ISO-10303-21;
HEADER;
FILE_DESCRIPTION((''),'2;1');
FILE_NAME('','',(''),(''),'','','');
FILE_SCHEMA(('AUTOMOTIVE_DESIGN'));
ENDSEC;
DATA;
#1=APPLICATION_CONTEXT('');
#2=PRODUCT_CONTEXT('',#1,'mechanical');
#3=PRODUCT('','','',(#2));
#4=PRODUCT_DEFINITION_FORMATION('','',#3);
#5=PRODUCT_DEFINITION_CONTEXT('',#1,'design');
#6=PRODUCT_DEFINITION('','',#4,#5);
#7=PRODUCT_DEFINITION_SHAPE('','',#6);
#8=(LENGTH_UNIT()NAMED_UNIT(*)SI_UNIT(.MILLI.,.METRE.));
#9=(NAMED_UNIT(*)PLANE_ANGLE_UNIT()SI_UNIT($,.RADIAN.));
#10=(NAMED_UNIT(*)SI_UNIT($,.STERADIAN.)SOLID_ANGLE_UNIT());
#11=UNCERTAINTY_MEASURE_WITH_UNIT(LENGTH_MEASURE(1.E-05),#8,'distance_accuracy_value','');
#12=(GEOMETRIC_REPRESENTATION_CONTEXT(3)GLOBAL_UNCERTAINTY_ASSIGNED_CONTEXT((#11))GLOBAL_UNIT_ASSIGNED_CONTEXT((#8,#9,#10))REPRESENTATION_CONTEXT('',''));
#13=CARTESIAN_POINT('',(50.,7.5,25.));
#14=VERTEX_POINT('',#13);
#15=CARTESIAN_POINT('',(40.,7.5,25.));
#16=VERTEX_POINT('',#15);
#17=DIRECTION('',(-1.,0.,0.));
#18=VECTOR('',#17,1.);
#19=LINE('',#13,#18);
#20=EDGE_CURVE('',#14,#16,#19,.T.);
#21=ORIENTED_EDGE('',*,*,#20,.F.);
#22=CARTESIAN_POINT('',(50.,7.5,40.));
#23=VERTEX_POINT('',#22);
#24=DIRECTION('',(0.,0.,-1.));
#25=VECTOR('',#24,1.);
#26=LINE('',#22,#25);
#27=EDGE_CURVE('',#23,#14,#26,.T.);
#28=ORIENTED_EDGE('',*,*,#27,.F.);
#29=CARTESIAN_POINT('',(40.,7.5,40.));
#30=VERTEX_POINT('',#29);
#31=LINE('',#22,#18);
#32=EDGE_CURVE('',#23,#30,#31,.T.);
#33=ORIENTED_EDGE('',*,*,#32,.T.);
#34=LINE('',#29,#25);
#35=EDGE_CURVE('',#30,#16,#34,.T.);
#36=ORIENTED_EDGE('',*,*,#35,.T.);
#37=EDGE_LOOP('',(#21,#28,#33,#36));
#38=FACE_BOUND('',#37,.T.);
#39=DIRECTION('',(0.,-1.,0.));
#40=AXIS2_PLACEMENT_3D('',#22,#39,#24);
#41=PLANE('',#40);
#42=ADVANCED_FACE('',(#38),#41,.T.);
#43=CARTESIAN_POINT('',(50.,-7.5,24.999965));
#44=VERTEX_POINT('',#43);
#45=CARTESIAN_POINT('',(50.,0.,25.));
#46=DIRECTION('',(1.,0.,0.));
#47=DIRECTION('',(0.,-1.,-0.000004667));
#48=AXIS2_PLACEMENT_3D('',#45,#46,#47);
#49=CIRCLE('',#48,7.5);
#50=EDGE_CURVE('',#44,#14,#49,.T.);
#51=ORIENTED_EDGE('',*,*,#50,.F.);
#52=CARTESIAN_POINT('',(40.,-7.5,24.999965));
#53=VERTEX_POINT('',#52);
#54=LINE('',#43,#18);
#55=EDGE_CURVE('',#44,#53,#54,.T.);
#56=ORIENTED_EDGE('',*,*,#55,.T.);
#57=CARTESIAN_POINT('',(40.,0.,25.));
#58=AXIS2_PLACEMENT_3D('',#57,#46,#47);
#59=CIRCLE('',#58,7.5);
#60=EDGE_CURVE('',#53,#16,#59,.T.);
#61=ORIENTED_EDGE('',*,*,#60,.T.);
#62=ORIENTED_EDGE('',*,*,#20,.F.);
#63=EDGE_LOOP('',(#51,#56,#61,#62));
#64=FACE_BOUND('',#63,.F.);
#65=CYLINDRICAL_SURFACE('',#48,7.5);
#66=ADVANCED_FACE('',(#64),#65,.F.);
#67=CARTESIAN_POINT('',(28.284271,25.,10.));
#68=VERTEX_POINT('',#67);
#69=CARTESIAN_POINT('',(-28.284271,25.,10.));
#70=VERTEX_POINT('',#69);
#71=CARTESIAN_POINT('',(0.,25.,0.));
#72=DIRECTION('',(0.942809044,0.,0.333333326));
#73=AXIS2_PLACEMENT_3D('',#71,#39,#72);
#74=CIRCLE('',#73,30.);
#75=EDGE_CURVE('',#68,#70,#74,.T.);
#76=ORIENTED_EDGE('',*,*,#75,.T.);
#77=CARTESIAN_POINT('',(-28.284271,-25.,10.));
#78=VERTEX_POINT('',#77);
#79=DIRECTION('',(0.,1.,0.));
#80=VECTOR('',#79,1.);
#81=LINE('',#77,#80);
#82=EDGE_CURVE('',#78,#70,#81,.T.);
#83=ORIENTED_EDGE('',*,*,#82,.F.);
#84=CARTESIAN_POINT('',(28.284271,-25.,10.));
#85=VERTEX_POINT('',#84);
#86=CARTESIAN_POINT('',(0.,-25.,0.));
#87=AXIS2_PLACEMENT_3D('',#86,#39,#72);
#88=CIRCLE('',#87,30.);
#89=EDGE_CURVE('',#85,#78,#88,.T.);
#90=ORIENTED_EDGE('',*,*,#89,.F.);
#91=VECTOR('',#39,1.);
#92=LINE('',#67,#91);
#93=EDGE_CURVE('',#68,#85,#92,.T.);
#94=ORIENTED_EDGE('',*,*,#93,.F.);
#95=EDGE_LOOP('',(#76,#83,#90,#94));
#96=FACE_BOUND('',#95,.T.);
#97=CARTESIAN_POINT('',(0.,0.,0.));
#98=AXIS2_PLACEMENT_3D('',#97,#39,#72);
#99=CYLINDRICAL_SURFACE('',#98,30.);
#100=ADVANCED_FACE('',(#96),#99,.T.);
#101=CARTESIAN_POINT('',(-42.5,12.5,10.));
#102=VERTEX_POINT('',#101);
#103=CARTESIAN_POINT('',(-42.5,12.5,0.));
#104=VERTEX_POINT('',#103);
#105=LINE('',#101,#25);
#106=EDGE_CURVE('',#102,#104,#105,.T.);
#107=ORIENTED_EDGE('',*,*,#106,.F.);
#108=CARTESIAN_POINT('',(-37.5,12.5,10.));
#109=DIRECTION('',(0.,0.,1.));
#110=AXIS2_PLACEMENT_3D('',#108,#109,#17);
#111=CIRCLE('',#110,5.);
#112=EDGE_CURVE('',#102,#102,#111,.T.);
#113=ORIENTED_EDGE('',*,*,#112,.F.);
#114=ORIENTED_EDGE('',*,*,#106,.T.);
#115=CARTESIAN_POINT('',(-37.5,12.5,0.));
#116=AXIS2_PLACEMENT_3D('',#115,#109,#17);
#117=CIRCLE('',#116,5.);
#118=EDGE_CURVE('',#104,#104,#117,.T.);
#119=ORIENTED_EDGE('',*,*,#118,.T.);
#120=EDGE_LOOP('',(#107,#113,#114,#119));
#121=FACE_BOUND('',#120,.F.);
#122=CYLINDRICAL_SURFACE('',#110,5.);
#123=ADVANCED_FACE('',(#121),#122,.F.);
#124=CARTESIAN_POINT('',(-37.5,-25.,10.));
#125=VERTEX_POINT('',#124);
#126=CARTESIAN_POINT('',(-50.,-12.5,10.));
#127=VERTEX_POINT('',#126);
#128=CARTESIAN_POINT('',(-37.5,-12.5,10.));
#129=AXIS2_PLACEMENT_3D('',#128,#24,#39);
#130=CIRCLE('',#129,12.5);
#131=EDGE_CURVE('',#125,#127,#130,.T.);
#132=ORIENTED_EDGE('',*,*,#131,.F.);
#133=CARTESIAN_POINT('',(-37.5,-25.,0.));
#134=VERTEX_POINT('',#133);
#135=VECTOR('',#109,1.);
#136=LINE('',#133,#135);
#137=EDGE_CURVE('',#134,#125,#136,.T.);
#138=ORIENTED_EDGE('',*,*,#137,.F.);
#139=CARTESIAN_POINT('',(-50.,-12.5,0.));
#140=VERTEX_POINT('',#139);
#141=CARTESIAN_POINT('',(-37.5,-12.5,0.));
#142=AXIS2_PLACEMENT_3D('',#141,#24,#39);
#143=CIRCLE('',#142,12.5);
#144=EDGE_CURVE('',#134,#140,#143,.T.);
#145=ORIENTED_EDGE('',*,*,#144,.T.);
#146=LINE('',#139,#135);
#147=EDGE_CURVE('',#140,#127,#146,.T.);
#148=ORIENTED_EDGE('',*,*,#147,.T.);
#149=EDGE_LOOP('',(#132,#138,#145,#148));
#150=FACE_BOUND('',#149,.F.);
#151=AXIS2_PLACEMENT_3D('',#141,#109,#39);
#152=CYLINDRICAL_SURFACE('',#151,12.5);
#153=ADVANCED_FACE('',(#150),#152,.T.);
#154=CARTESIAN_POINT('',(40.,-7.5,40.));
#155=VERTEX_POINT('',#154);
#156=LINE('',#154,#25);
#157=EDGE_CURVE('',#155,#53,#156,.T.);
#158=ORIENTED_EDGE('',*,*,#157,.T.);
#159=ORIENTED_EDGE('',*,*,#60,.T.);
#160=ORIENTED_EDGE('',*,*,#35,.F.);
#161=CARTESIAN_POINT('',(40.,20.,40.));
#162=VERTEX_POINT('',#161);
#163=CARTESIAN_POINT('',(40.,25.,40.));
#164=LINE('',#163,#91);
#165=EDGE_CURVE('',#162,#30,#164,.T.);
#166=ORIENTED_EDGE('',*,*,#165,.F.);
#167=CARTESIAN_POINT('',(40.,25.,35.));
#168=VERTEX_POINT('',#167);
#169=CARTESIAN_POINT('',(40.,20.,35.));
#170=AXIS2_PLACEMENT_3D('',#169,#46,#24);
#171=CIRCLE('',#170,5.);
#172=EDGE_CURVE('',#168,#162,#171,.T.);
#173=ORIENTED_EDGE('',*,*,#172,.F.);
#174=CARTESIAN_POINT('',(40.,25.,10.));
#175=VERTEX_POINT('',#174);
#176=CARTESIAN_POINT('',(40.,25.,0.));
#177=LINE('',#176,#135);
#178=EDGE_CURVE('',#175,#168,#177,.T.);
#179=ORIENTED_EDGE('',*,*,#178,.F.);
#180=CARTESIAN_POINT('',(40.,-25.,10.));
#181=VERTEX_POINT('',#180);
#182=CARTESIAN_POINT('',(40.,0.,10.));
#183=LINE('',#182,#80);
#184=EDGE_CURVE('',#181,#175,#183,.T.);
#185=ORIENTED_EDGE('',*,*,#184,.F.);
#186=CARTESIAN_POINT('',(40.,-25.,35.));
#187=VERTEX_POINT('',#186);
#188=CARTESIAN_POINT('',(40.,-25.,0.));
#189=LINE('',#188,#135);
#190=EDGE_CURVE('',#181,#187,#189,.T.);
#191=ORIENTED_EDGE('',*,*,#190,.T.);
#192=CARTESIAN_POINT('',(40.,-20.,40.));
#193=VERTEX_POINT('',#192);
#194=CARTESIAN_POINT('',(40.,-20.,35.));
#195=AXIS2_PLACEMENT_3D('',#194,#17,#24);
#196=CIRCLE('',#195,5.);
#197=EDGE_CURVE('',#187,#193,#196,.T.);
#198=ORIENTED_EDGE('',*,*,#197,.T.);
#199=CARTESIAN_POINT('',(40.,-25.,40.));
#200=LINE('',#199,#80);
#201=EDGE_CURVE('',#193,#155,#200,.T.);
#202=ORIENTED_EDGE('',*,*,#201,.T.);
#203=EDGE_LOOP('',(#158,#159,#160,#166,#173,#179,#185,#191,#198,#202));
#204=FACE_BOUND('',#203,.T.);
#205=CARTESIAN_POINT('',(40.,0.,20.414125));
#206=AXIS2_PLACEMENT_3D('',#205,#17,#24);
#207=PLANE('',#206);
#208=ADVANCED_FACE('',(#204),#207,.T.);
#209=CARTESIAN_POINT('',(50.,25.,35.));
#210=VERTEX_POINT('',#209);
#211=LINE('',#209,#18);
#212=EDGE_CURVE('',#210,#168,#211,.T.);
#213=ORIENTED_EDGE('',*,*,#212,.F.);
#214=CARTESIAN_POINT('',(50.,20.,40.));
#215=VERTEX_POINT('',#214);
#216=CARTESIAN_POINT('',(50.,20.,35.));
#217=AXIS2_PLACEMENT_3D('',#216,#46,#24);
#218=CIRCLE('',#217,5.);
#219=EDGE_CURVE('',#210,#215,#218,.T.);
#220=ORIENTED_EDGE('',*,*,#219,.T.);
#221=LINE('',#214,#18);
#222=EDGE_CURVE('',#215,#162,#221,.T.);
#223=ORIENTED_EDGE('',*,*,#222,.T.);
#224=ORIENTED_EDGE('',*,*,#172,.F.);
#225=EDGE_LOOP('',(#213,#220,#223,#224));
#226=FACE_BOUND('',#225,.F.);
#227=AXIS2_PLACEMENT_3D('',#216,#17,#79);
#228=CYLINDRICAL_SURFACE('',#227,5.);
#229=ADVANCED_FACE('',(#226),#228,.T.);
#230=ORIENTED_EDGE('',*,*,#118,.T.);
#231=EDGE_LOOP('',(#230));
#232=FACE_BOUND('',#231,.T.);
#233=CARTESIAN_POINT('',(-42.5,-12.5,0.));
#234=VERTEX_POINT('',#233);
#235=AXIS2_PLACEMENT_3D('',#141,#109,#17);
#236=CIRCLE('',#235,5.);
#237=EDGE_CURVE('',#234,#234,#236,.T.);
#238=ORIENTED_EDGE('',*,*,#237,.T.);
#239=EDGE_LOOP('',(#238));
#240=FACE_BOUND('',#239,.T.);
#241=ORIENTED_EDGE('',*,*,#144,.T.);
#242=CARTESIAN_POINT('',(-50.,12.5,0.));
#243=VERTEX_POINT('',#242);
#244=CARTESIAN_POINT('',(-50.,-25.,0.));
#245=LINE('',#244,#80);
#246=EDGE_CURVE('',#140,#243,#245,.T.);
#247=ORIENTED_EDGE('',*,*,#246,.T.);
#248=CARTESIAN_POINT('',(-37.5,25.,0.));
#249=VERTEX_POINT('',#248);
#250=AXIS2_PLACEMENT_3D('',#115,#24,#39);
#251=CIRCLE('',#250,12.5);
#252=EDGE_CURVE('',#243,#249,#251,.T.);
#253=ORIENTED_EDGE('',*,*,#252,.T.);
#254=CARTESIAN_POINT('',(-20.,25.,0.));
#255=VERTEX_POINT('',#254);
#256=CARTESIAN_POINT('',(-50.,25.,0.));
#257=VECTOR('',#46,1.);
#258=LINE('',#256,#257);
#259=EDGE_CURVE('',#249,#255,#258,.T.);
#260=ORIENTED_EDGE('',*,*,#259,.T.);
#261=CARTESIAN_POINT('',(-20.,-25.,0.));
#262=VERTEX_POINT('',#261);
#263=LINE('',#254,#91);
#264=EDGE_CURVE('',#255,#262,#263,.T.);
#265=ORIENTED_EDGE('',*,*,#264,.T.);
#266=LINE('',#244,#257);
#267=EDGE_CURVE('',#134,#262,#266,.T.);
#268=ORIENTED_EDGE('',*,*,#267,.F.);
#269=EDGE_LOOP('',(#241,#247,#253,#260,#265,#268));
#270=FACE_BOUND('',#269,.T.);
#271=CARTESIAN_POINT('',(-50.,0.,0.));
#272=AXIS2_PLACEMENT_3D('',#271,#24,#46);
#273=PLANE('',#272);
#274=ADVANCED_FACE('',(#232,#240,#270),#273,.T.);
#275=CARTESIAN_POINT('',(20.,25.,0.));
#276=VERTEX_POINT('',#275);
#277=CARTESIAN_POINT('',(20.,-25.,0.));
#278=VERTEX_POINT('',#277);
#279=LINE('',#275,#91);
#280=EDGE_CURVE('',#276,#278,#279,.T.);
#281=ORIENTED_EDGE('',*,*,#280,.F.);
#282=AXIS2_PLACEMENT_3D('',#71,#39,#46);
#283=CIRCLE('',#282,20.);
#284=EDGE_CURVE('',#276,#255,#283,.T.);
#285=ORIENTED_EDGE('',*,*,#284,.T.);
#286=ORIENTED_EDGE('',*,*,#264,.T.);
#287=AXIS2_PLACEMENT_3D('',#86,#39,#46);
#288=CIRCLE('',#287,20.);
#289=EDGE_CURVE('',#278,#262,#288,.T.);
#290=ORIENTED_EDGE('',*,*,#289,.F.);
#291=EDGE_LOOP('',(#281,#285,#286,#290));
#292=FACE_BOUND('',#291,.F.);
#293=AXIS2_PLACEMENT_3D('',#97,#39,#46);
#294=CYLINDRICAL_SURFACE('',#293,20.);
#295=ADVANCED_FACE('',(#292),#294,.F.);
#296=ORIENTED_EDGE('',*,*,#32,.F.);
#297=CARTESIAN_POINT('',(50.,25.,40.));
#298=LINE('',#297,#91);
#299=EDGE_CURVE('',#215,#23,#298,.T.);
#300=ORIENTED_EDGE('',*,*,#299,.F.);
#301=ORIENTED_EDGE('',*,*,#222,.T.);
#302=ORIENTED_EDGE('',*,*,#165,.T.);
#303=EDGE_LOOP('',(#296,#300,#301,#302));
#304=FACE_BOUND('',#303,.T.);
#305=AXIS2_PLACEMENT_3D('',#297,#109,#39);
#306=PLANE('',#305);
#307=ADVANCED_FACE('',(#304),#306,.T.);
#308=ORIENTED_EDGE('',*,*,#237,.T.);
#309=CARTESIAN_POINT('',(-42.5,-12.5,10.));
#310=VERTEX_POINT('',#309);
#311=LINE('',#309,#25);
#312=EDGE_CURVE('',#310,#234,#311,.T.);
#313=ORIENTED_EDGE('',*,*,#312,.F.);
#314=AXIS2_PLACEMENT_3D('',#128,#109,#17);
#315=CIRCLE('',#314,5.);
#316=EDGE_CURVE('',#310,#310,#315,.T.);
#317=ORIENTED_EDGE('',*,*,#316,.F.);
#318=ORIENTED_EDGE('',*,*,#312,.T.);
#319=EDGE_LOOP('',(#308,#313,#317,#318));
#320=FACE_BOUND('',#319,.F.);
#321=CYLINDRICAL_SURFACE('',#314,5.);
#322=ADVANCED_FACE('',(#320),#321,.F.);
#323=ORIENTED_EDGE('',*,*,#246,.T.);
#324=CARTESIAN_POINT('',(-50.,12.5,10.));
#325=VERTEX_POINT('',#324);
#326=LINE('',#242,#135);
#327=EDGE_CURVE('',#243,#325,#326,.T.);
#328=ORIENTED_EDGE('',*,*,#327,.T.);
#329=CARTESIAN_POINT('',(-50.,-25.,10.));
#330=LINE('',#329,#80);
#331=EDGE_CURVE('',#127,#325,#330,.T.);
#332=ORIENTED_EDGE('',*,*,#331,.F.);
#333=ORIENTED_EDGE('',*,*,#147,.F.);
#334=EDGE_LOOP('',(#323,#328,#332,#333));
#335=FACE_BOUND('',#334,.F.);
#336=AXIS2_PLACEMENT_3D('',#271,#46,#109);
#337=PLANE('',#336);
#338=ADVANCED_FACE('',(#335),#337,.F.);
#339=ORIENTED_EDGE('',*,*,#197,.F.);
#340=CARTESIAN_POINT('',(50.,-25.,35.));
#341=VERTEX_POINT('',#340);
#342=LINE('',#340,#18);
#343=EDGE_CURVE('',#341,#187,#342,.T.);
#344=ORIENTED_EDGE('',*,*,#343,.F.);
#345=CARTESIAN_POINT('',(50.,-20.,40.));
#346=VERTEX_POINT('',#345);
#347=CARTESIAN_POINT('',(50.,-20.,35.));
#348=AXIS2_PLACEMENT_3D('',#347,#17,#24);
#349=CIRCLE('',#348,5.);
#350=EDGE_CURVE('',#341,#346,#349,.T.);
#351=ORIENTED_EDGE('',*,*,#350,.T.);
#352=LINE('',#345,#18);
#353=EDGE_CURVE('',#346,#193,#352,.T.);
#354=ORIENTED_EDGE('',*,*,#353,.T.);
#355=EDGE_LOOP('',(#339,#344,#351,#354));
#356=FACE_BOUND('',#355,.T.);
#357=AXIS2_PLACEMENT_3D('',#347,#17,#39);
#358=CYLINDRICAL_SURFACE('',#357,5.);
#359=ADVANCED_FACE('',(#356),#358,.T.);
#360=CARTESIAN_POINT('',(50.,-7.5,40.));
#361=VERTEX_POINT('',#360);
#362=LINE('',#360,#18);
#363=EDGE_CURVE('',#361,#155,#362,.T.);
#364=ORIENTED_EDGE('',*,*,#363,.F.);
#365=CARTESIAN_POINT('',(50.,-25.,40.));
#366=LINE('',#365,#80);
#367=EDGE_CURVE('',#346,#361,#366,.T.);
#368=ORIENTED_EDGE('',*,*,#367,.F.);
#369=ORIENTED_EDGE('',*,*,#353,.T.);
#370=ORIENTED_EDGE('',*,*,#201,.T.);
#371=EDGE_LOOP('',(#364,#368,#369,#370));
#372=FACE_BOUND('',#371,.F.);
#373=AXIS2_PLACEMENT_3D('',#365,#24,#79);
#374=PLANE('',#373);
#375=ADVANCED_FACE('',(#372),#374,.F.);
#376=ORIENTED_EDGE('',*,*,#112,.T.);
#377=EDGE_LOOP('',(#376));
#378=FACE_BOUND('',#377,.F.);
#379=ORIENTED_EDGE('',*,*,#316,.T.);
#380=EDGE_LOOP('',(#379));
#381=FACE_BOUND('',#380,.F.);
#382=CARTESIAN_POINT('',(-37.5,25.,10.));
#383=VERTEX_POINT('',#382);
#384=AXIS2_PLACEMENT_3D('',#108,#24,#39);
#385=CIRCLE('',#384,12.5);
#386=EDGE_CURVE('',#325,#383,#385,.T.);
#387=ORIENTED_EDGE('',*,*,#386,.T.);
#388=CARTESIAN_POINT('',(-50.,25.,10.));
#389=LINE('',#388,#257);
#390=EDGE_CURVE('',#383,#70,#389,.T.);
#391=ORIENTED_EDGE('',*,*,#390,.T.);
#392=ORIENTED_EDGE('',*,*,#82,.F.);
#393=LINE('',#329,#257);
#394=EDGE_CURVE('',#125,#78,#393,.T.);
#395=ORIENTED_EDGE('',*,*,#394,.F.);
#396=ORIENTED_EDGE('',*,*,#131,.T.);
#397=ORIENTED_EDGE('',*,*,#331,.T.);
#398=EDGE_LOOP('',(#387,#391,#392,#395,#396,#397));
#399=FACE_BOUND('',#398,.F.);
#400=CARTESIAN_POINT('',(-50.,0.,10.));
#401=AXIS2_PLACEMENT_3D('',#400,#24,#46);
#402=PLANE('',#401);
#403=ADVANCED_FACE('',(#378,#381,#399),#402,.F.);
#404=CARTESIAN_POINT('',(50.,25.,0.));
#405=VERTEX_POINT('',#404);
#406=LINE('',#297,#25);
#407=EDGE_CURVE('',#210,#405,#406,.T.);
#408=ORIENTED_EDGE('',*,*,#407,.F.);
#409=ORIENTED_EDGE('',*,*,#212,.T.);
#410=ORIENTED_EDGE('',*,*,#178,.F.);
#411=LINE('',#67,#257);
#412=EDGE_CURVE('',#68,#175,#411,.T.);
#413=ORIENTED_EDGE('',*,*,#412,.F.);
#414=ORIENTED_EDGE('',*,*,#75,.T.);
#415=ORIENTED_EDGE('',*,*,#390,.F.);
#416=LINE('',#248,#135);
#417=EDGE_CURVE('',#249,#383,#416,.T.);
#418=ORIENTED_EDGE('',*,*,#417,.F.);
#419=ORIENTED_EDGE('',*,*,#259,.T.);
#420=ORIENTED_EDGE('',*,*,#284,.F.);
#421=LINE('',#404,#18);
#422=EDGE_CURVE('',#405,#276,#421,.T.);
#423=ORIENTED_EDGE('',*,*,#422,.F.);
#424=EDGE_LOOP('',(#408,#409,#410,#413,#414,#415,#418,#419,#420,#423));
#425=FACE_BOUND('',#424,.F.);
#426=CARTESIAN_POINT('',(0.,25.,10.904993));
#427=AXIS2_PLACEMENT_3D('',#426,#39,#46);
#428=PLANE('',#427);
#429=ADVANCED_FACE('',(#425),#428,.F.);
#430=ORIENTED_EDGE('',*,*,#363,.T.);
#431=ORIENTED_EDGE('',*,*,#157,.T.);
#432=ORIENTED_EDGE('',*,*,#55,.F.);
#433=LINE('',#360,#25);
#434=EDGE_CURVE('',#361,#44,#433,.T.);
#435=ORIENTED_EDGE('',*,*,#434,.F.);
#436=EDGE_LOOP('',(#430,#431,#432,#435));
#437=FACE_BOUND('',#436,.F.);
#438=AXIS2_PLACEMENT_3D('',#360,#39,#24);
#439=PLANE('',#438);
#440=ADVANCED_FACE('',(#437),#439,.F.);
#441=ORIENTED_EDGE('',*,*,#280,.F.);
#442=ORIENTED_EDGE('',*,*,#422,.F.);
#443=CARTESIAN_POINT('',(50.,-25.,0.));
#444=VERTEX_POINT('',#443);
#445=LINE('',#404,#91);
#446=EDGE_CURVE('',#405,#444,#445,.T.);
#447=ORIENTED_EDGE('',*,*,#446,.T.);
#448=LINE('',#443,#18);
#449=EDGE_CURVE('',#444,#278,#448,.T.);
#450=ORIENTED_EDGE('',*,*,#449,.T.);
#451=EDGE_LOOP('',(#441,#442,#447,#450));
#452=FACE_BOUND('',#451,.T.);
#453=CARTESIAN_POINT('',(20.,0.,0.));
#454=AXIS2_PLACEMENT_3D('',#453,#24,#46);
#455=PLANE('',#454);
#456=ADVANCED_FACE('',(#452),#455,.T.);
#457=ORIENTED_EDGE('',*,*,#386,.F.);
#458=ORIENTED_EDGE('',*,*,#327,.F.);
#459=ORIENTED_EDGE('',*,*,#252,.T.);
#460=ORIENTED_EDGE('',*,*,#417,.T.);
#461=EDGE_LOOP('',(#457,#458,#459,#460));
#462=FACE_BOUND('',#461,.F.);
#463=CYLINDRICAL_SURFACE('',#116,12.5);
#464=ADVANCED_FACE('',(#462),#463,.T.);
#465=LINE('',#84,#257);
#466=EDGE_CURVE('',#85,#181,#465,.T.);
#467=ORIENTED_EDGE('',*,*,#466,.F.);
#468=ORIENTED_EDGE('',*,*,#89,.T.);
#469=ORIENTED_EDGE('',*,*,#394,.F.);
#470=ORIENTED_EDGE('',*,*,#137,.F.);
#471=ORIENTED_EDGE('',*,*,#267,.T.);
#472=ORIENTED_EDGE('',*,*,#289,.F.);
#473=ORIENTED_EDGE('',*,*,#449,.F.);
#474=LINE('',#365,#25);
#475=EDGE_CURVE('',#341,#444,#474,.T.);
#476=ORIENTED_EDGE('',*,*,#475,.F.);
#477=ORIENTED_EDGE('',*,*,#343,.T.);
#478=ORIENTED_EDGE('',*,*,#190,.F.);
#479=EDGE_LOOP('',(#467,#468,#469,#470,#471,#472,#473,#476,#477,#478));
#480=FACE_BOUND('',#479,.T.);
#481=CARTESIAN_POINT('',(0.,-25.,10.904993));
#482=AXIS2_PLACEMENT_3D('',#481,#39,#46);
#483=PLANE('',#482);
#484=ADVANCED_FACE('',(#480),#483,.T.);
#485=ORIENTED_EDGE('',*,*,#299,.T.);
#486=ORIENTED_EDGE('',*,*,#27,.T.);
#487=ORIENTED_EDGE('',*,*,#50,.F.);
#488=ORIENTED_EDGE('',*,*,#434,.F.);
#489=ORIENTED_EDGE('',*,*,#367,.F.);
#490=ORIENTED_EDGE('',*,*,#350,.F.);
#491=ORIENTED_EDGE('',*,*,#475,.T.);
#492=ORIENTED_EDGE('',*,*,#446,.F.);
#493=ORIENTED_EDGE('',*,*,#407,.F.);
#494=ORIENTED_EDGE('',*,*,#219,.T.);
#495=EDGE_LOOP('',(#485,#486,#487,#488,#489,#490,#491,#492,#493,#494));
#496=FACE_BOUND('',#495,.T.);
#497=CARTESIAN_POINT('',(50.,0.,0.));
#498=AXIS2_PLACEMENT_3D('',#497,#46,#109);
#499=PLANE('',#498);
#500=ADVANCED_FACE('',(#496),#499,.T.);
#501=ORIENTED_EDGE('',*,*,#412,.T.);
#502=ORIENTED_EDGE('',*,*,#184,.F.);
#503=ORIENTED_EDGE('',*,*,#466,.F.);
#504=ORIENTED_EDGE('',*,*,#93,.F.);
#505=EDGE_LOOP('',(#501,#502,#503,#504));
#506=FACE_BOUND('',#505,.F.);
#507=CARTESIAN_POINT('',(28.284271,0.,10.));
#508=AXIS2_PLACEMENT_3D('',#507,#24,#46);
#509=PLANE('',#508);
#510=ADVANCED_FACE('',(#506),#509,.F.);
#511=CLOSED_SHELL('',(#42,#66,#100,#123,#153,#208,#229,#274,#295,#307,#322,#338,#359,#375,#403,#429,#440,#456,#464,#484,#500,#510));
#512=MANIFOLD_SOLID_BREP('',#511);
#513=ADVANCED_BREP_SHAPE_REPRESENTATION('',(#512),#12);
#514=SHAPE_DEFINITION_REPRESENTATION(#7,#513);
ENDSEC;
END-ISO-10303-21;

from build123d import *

# Parameters (mm, degrees)
PAD_DEPTH    = 25
PAD001_DEPTH = 10
FILLET_R     = 12.5
FILLET001_R  = 12.5
FILLET002_R  = 5
FILLET003_R  = 5
SKETCH002_R  = 5
POCKET_DEPTH = 10.001


with BuildPart() as part:
    # Sketch → Pad (new body, symmetric)
    with BuildSketch(Plane.XZ):
        with BuildLine():
            Line((-50, 0), (-20, 0))
            ThreePointArc((20, 0), (0, 20), (-20, 0))
            Line((20, 0), (50, 0))
            Line((50, 0), (50, 10))
            Line((28.284271, 10), (50, 10))
            ThreePointArc((28.284271, 10), (0, 30), (-28.284271, 10))
            Line((-50, 10), (-28.284271, 10))
            Line((-50, 0), (-50, 10))
        make_face()
    extrude(amount=PAD_DEPTH, both=True)

    # Sketch001 → Pad001 (new body)
    with BuildSketch(Plane(origin=(50, 0, 0), x_dir=(0, 0, 1), z_dir=(1, 0, 0))):
        with BuildLine():
            Line((0, 25), (40, 25))
            Line((40, 25), (40, 7.5))
            Line((40, 7.5), (24.999965, 7.5))
            ThreePointArc((24.999965, 7.5), (17.5, -1.8e-05), (25, -7.5))
            Line((40, -7.5), (25, -7.5))
            Line((40, -25), (40, -7.5))
            Line((0, -25), (40, -25))
            Line((0, 25), (0, -25))
        make_face()
    extrude(amount=-PAD001_DEPTH)

    # Fillet
    fillet_edges = [part.edges().sort_by_distance(p)[0] for p in [
        (-50, -25, 5),
    ]]
    fillet(fillet_edges, radius=FILLET_R)

    # Fillet001
    fillet001_edges = [part.edges().sort_by_distance(p)[0] for p in [
        (-50, 25, 5),
    ]]
    fillet(fillet001_edges, radius=FILLET001_R)

    # Fillet002
    fillet002_edges = [part.edges().sort_by_distance(p)[0] for p in [
        (45, -25, 40),
    ]]
    fillet(fillet002_edges, radius=FILLET002_R)

    # Fillet003
    fillet003_edges = [part.edges().sort_by_distance(p)[0] for p in [
        (45, 25, 40),
    ]]
    fillet(fillet003_edges, radius=FILLET003_R)

    # Sketch002 → Pocket (cut, through all)
    with BuildSketch(Plane(origin=(0, 0, 10), x_dir=(-1, 0, 0), z_dir=(0, 0, 1))):
        with Locations((37.5, 12.5)):
            Circle(SKETCH002_R)
        with Locations((37.5, -12.5)):
            Circle(SKETCH002_R)
    extrude(amount=-POCKET_DEPTH, mode=Mode.SUBTRACT)


solid = part.part
